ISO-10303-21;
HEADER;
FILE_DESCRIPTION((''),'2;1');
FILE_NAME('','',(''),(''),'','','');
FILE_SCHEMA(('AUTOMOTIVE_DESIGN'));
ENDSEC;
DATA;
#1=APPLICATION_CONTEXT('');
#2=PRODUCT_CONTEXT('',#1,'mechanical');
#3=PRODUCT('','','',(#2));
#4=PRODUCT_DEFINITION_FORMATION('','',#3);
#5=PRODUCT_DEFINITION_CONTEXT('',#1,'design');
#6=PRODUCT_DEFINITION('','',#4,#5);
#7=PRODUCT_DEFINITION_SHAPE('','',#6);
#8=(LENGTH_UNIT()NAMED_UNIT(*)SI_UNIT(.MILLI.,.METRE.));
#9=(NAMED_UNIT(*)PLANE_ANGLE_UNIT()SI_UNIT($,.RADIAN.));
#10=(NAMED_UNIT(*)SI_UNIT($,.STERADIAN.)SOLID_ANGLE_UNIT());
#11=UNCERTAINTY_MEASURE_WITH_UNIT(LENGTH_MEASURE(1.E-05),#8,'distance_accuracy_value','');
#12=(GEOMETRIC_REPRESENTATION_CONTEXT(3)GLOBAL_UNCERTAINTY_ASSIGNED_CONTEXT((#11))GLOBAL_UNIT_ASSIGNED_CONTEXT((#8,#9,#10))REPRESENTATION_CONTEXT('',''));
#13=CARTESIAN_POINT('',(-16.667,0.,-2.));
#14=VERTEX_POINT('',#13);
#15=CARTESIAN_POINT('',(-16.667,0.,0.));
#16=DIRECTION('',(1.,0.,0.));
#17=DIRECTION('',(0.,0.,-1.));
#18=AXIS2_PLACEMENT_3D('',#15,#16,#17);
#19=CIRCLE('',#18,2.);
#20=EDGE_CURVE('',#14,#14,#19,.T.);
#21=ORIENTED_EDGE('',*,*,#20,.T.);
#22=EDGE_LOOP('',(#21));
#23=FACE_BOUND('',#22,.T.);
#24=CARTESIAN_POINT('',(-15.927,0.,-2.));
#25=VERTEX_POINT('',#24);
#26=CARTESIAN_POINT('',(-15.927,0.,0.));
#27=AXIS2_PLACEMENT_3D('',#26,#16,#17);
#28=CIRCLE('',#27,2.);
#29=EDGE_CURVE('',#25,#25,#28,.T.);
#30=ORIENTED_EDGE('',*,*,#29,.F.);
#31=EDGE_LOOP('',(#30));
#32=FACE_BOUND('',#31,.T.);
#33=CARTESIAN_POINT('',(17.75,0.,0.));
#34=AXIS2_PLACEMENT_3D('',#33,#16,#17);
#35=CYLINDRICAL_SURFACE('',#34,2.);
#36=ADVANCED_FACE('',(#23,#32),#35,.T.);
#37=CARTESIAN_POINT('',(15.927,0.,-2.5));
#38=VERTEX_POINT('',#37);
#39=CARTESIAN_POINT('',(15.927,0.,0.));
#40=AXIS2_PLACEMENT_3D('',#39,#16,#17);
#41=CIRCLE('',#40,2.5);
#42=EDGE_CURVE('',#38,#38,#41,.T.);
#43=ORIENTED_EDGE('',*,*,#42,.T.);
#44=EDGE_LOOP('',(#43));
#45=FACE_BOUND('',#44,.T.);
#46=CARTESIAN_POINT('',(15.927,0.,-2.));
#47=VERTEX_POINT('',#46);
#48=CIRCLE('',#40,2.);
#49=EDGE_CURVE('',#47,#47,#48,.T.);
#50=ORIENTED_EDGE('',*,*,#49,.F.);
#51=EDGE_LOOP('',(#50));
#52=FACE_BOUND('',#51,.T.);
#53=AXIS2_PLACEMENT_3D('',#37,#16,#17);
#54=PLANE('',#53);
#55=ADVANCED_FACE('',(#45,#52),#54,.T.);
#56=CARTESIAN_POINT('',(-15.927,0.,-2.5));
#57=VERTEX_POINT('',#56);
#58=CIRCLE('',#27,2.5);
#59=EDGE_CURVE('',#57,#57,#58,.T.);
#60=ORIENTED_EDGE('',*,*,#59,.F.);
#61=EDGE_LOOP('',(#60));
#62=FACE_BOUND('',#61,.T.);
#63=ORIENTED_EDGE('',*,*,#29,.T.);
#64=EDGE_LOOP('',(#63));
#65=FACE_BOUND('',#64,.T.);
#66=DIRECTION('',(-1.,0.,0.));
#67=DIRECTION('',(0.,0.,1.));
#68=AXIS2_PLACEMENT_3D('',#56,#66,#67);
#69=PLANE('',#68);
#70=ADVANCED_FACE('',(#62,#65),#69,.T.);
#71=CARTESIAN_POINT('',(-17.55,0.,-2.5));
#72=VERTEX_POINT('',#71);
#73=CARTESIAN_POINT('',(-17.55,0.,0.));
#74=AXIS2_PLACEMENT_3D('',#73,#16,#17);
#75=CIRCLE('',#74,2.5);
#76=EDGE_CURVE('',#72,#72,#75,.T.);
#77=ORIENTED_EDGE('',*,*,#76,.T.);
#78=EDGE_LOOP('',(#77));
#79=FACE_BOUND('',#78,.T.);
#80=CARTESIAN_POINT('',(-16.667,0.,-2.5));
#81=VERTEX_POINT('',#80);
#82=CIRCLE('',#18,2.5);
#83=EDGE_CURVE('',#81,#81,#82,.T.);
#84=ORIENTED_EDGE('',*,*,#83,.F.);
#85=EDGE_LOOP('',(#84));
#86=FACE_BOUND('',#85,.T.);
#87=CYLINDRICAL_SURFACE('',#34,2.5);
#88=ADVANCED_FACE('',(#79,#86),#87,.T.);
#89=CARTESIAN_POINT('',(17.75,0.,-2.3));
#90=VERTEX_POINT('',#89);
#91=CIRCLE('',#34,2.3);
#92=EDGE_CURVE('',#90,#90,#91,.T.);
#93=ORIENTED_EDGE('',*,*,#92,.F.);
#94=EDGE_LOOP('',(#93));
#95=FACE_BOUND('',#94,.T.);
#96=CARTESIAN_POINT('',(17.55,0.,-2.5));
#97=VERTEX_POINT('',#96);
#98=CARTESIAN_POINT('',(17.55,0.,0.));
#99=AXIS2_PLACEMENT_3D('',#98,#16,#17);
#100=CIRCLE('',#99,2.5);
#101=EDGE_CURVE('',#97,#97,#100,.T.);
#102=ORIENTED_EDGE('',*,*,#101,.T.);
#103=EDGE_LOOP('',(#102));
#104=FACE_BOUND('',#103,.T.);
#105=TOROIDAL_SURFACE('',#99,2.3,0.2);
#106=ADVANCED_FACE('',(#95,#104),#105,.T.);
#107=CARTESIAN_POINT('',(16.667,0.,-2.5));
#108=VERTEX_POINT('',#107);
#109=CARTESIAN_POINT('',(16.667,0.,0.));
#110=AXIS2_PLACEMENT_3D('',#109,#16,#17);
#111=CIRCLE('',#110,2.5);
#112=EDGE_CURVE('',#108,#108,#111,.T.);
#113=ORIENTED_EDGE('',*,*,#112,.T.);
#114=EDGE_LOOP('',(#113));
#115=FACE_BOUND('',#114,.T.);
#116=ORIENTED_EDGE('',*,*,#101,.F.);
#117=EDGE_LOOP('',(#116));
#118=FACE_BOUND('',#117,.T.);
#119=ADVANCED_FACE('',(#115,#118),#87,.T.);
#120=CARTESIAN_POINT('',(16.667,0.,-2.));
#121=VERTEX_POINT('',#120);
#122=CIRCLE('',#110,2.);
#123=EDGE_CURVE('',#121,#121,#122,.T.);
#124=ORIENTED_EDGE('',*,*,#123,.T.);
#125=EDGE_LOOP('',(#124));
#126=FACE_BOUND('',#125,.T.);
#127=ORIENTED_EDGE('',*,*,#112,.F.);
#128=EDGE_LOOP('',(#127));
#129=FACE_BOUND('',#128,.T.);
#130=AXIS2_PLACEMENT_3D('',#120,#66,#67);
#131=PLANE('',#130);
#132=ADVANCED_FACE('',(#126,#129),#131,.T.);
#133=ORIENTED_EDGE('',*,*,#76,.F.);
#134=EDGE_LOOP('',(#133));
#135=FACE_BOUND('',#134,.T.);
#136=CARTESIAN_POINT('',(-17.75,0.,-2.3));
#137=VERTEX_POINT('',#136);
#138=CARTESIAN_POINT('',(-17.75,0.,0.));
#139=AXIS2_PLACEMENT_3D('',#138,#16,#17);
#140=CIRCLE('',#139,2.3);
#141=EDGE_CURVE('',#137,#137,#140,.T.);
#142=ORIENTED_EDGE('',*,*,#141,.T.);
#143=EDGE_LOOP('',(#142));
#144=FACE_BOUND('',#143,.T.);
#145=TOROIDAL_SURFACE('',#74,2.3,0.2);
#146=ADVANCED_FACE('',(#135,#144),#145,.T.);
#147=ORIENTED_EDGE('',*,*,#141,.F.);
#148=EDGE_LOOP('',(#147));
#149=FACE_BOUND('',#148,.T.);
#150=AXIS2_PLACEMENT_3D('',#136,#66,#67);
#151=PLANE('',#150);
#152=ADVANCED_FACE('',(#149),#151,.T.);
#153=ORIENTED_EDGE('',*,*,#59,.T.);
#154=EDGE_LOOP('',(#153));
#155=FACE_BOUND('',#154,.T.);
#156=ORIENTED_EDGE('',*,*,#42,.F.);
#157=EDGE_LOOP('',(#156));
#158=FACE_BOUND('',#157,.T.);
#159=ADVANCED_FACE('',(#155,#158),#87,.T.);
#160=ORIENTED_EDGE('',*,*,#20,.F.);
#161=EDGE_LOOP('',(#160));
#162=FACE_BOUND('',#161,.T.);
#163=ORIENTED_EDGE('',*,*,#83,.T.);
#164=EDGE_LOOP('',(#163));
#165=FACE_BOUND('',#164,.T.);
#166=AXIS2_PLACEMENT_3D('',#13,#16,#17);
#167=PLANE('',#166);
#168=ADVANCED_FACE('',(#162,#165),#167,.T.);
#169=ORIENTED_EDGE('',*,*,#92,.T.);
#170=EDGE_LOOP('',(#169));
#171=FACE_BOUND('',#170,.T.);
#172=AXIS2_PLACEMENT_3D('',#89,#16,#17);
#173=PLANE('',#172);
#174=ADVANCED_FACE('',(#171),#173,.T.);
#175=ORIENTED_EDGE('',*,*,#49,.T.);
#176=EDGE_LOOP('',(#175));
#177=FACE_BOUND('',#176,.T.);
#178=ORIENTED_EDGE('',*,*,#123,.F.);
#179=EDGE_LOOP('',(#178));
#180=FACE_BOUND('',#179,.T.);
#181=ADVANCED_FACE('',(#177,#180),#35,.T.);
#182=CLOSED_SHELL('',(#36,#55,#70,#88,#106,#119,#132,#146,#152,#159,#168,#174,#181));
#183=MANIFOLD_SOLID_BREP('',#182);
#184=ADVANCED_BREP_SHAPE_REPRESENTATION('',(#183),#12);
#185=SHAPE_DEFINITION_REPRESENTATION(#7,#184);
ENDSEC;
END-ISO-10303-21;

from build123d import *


with BuildPart() as part:
    # Sketch1 → Revolve1 (revolve)
    with BuildSketch(Plane(origin=(0, 0, 0), x_dir=(1, 0, 0), z_dir=(0, 1, 0))):
        with BuildLine():
            Line((-15.927, 2.5), (15.927, 2.5))
            Line((15.927, 2.5), (15.927, 2))
            Line((15.927, 2), (16.667, 2))
            Line((16.667, 2), (16.667, 2.5))
            Line((16.667, 2.5), (17.55, 2.5))
            ThreePointArc((17.55, 2.5), (17.691421356, 2.441421356), (17.75, 2.3))
            Line((17.75, 2.3), (17.75, 0))
            Line((17.75, 0), (-17.75, 0))
            Line((-17.75, 0), (-17.75, 2.3))
            ThreePointArc((-17.75, 2.3), (-17.691421356, 2.441421356), (-17.55, 2.5))
            Line((-17.55, 2.5), (-16.667, 2.5))
            Line((-16.667, 2.5), (-16.667, 2))
            Line((-16.667, 2), (-15.927, 2))
            Line((-15.927, 2), (-15.927, 2.5))
        make_face()
    revolve(axis=Axis((17.75, 0, 0), (-1, 0, 0)))


solid = part.part
